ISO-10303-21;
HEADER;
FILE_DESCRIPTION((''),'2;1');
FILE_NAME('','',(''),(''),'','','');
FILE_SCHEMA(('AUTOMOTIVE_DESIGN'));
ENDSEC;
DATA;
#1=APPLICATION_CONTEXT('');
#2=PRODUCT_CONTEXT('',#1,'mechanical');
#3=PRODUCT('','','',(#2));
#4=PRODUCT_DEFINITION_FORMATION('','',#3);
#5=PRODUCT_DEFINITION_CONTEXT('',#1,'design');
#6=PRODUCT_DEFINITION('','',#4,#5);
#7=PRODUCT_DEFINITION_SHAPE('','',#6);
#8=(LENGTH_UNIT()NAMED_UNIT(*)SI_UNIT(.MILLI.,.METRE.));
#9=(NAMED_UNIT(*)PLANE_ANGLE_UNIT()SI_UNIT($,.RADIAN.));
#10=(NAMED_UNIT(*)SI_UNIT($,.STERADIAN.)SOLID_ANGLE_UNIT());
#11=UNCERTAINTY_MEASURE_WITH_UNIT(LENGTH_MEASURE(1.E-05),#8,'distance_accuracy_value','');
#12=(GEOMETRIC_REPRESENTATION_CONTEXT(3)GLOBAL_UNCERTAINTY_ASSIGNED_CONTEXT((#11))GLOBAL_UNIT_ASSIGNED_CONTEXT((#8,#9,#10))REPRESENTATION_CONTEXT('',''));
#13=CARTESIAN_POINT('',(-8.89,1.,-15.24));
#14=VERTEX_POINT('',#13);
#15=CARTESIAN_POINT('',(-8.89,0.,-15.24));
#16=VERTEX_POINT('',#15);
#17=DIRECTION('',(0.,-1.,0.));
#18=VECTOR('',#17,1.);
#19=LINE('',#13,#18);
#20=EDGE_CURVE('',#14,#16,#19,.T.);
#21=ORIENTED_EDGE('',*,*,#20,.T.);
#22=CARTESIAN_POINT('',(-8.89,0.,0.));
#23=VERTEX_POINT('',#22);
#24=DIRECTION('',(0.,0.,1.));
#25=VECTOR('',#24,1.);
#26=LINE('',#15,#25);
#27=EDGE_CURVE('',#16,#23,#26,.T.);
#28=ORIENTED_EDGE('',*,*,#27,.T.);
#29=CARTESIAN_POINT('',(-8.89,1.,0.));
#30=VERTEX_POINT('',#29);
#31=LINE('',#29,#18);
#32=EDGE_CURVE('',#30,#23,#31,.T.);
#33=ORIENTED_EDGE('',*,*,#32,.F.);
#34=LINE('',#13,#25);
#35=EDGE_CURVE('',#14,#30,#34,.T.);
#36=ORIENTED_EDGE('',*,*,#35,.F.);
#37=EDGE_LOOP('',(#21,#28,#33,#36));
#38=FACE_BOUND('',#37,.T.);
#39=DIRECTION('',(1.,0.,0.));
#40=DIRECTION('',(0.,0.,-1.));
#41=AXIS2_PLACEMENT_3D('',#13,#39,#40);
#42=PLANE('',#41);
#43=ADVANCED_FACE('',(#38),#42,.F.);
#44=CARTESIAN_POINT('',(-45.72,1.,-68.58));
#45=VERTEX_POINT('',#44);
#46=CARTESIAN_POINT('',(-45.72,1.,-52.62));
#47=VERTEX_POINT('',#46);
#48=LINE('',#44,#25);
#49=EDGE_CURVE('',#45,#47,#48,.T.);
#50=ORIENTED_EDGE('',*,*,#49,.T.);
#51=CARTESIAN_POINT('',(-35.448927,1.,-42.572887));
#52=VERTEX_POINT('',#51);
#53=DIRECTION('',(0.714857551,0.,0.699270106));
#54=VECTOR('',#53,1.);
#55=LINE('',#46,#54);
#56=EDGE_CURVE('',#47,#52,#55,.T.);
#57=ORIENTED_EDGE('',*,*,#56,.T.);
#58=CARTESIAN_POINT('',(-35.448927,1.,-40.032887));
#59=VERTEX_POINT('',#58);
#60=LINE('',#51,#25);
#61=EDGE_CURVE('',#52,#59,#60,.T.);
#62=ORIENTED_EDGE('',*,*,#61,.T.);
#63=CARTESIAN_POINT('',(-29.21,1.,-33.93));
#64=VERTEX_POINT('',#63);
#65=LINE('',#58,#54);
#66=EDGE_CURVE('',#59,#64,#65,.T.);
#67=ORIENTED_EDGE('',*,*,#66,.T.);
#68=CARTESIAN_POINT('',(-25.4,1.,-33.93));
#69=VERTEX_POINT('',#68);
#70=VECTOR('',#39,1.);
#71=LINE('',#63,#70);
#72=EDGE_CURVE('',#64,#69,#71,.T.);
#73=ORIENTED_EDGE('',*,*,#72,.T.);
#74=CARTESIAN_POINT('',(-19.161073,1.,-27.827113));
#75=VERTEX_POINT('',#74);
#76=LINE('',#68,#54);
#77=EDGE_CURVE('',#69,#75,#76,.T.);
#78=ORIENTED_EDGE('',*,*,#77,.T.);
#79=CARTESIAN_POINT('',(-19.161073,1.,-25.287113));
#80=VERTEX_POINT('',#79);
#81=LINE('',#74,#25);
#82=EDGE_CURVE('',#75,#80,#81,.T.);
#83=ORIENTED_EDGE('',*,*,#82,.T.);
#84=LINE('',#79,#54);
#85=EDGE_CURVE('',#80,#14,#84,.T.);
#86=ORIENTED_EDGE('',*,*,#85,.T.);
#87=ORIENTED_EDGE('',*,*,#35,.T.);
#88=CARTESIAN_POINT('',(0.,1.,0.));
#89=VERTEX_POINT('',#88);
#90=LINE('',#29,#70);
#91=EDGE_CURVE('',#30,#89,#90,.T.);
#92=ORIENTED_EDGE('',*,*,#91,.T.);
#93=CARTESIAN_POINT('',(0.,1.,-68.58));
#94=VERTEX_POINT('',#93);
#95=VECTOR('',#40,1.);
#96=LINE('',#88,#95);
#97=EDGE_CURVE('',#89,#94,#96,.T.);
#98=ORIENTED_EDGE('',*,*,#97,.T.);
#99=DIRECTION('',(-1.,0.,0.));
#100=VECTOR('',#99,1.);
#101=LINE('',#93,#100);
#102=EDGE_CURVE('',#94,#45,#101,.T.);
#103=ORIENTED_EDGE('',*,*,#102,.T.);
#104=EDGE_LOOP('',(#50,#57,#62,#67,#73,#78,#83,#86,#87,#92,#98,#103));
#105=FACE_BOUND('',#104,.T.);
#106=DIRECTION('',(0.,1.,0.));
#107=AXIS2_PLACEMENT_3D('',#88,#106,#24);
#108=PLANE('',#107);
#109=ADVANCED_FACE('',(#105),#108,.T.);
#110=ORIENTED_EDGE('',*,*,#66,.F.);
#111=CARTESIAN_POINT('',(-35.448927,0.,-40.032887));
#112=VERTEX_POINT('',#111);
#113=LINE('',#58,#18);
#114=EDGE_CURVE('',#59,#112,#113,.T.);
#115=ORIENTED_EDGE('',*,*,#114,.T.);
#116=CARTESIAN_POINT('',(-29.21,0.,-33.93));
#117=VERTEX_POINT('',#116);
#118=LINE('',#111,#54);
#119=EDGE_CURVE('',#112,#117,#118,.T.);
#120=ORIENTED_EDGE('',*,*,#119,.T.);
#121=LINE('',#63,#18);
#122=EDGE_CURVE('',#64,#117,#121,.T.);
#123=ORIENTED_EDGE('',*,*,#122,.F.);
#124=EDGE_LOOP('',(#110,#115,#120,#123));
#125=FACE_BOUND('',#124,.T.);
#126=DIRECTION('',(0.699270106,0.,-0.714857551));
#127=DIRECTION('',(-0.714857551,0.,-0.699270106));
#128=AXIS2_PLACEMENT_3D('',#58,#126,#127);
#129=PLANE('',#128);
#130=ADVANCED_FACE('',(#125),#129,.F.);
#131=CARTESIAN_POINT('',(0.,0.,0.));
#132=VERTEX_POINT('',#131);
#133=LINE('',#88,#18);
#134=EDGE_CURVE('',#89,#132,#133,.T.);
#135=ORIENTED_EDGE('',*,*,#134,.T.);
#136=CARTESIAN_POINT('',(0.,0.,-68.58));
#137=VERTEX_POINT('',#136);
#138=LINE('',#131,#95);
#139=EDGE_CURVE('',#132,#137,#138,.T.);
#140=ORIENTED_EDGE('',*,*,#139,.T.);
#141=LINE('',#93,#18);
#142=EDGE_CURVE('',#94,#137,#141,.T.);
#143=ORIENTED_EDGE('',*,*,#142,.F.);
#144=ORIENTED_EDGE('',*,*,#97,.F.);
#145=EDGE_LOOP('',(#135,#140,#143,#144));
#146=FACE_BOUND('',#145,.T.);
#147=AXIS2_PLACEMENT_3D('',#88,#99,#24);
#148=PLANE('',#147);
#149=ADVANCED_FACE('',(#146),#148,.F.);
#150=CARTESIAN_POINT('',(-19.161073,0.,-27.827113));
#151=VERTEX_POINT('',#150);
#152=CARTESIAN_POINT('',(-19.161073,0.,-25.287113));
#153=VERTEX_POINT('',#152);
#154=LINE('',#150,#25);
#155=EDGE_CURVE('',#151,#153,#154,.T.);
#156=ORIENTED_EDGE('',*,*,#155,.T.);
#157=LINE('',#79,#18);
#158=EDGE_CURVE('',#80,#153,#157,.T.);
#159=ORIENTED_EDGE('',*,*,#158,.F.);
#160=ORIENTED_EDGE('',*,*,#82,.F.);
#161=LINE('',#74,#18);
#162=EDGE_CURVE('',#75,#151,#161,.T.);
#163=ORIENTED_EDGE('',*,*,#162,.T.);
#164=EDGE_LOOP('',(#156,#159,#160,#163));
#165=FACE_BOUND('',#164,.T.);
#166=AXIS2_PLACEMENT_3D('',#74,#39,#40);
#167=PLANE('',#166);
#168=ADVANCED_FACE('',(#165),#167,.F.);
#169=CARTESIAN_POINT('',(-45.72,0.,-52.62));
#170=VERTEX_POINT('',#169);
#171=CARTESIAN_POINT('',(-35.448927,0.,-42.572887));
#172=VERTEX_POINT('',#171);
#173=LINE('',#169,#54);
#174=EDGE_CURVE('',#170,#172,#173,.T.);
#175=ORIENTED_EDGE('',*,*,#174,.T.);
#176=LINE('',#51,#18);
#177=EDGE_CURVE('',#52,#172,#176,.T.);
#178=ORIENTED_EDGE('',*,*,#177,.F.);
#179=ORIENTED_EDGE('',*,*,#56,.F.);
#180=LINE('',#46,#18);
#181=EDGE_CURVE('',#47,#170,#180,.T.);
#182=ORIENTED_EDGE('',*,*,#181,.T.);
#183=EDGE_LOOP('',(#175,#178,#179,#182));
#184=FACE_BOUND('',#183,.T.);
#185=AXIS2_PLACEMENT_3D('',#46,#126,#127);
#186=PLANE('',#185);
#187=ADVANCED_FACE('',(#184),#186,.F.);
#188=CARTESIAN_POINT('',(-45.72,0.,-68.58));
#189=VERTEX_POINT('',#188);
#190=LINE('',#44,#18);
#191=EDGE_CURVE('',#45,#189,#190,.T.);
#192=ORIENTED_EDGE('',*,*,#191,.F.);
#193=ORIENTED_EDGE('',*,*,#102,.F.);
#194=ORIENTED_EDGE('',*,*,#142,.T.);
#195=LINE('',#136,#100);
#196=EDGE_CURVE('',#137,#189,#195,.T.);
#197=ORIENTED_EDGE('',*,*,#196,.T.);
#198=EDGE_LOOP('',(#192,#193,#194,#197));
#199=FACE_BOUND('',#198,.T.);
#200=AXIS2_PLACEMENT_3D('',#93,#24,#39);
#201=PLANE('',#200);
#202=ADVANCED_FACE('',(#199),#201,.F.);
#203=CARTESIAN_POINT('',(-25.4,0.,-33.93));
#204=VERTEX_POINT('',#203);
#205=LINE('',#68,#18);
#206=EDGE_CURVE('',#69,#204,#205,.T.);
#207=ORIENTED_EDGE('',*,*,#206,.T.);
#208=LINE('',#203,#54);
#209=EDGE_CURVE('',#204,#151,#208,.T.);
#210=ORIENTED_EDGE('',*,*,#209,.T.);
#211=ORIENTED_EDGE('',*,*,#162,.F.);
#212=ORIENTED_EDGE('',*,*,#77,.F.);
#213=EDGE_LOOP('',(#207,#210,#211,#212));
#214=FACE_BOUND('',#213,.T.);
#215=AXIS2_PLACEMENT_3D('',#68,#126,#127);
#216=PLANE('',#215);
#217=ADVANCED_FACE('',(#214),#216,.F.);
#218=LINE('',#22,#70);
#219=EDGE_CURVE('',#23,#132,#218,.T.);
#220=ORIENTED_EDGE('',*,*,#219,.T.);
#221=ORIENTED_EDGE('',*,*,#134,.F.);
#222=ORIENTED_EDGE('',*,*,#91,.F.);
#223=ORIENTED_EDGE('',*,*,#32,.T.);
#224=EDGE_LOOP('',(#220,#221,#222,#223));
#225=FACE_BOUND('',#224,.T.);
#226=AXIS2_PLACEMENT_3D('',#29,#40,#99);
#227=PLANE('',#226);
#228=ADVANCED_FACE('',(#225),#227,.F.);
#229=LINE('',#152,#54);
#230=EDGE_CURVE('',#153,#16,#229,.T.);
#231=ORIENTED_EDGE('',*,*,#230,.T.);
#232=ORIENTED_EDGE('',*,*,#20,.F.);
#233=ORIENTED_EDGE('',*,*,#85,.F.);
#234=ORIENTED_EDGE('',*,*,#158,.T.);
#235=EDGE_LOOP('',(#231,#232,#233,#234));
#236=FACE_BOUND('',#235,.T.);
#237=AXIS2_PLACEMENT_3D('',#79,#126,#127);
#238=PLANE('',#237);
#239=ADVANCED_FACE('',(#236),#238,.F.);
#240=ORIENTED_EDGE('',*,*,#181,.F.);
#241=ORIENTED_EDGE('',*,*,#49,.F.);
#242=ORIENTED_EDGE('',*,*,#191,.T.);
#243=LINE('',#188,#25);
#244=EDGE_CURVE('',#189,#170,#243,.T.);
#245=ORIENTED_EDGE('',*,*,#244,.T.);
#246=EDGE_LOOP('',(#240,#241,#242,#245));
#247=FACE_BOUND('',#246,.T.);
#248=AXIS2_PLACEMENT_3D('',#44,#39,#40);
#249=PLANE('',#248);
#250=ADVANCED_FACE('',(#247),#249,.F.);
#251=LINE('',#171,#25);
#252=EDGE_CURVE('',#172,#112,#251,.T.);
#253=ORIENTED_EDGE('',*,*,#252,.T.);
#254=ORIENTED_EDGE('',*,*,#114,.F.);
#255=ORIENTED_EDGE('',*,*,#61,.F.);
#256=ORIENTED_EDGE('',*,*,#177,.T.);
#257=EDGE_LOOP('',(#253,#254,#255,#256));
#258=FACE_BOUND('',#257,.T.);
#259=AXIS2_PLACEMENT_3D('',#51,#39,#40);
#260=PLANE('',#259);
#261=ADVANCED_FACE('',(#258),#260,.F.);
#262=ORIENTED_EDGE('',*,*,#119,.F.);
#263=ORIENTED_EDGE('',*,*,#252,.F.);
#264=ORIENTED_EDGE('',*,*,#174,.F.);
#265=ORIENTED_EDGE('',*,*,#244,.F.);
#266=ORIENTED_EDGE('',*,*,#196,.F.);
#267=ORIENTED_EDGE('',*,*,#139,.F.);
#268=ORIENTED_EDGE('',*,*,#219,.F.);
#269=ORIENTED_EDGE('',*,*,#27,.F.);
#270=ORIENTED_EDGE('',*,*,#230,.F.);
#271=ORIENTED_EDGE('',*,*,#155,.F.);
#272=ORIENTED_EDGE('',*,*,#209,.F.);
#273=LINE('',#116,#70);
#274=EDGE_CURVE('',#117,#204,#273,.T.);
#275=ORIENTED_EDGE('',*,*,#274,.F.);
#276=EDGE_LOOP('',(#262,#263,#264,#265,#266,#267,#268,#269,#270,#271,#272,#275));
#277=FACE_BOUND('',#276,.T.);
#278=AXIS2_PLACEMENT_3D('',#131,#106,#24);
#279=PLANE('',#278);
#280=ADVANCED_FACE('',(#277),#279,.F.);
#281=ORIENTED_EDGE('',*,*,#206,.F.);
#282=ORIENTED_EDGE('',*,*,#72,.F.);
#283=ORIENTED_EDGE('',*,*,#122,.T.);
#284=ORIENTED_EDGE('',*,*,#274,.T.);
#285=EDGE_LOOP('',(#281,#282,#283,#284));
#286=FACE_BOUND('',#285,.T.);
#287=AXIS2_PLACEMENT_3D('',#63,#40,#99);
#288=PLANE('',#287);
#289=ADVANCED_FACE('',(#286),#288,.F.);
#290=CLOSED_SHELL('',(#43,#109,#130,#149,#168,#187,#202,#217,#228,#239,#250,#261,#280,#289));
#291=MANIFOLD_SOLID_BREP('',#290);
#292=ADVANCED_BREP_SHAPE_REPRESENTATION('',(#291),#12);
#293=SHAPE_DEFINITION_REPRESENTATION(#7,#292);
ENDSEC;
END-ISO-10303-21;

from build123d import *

# Parameters (mm, degrees)
BOSS_EXTRUDE1_DEPTH = 1


with BuildPart() as part:
    # Sketch1 → Boss-Extrude1 (new body)
    with BuildSketch(Plane(origin=(0, 0, 0), x_dir=(1, 0, 0), z_dir=(0, 1, 0))):
        Polygon((0, 0), (0, 68.58), (-45.72, 68.58), (-45.72, 52.62), (-35.448926703, 42.572887114), (-35.448926703, 40.032887114), (-29.21, 33.93), (-25.4, 33.93), (-19.161073297, 27.827112886), (-19.161073297, 25.287112886), (-8.89, 15.24), (-8.89, 0), align=None)
    extrude(amount=BOSS_EXTRUDE1_DEPTH)


solid = part.part
